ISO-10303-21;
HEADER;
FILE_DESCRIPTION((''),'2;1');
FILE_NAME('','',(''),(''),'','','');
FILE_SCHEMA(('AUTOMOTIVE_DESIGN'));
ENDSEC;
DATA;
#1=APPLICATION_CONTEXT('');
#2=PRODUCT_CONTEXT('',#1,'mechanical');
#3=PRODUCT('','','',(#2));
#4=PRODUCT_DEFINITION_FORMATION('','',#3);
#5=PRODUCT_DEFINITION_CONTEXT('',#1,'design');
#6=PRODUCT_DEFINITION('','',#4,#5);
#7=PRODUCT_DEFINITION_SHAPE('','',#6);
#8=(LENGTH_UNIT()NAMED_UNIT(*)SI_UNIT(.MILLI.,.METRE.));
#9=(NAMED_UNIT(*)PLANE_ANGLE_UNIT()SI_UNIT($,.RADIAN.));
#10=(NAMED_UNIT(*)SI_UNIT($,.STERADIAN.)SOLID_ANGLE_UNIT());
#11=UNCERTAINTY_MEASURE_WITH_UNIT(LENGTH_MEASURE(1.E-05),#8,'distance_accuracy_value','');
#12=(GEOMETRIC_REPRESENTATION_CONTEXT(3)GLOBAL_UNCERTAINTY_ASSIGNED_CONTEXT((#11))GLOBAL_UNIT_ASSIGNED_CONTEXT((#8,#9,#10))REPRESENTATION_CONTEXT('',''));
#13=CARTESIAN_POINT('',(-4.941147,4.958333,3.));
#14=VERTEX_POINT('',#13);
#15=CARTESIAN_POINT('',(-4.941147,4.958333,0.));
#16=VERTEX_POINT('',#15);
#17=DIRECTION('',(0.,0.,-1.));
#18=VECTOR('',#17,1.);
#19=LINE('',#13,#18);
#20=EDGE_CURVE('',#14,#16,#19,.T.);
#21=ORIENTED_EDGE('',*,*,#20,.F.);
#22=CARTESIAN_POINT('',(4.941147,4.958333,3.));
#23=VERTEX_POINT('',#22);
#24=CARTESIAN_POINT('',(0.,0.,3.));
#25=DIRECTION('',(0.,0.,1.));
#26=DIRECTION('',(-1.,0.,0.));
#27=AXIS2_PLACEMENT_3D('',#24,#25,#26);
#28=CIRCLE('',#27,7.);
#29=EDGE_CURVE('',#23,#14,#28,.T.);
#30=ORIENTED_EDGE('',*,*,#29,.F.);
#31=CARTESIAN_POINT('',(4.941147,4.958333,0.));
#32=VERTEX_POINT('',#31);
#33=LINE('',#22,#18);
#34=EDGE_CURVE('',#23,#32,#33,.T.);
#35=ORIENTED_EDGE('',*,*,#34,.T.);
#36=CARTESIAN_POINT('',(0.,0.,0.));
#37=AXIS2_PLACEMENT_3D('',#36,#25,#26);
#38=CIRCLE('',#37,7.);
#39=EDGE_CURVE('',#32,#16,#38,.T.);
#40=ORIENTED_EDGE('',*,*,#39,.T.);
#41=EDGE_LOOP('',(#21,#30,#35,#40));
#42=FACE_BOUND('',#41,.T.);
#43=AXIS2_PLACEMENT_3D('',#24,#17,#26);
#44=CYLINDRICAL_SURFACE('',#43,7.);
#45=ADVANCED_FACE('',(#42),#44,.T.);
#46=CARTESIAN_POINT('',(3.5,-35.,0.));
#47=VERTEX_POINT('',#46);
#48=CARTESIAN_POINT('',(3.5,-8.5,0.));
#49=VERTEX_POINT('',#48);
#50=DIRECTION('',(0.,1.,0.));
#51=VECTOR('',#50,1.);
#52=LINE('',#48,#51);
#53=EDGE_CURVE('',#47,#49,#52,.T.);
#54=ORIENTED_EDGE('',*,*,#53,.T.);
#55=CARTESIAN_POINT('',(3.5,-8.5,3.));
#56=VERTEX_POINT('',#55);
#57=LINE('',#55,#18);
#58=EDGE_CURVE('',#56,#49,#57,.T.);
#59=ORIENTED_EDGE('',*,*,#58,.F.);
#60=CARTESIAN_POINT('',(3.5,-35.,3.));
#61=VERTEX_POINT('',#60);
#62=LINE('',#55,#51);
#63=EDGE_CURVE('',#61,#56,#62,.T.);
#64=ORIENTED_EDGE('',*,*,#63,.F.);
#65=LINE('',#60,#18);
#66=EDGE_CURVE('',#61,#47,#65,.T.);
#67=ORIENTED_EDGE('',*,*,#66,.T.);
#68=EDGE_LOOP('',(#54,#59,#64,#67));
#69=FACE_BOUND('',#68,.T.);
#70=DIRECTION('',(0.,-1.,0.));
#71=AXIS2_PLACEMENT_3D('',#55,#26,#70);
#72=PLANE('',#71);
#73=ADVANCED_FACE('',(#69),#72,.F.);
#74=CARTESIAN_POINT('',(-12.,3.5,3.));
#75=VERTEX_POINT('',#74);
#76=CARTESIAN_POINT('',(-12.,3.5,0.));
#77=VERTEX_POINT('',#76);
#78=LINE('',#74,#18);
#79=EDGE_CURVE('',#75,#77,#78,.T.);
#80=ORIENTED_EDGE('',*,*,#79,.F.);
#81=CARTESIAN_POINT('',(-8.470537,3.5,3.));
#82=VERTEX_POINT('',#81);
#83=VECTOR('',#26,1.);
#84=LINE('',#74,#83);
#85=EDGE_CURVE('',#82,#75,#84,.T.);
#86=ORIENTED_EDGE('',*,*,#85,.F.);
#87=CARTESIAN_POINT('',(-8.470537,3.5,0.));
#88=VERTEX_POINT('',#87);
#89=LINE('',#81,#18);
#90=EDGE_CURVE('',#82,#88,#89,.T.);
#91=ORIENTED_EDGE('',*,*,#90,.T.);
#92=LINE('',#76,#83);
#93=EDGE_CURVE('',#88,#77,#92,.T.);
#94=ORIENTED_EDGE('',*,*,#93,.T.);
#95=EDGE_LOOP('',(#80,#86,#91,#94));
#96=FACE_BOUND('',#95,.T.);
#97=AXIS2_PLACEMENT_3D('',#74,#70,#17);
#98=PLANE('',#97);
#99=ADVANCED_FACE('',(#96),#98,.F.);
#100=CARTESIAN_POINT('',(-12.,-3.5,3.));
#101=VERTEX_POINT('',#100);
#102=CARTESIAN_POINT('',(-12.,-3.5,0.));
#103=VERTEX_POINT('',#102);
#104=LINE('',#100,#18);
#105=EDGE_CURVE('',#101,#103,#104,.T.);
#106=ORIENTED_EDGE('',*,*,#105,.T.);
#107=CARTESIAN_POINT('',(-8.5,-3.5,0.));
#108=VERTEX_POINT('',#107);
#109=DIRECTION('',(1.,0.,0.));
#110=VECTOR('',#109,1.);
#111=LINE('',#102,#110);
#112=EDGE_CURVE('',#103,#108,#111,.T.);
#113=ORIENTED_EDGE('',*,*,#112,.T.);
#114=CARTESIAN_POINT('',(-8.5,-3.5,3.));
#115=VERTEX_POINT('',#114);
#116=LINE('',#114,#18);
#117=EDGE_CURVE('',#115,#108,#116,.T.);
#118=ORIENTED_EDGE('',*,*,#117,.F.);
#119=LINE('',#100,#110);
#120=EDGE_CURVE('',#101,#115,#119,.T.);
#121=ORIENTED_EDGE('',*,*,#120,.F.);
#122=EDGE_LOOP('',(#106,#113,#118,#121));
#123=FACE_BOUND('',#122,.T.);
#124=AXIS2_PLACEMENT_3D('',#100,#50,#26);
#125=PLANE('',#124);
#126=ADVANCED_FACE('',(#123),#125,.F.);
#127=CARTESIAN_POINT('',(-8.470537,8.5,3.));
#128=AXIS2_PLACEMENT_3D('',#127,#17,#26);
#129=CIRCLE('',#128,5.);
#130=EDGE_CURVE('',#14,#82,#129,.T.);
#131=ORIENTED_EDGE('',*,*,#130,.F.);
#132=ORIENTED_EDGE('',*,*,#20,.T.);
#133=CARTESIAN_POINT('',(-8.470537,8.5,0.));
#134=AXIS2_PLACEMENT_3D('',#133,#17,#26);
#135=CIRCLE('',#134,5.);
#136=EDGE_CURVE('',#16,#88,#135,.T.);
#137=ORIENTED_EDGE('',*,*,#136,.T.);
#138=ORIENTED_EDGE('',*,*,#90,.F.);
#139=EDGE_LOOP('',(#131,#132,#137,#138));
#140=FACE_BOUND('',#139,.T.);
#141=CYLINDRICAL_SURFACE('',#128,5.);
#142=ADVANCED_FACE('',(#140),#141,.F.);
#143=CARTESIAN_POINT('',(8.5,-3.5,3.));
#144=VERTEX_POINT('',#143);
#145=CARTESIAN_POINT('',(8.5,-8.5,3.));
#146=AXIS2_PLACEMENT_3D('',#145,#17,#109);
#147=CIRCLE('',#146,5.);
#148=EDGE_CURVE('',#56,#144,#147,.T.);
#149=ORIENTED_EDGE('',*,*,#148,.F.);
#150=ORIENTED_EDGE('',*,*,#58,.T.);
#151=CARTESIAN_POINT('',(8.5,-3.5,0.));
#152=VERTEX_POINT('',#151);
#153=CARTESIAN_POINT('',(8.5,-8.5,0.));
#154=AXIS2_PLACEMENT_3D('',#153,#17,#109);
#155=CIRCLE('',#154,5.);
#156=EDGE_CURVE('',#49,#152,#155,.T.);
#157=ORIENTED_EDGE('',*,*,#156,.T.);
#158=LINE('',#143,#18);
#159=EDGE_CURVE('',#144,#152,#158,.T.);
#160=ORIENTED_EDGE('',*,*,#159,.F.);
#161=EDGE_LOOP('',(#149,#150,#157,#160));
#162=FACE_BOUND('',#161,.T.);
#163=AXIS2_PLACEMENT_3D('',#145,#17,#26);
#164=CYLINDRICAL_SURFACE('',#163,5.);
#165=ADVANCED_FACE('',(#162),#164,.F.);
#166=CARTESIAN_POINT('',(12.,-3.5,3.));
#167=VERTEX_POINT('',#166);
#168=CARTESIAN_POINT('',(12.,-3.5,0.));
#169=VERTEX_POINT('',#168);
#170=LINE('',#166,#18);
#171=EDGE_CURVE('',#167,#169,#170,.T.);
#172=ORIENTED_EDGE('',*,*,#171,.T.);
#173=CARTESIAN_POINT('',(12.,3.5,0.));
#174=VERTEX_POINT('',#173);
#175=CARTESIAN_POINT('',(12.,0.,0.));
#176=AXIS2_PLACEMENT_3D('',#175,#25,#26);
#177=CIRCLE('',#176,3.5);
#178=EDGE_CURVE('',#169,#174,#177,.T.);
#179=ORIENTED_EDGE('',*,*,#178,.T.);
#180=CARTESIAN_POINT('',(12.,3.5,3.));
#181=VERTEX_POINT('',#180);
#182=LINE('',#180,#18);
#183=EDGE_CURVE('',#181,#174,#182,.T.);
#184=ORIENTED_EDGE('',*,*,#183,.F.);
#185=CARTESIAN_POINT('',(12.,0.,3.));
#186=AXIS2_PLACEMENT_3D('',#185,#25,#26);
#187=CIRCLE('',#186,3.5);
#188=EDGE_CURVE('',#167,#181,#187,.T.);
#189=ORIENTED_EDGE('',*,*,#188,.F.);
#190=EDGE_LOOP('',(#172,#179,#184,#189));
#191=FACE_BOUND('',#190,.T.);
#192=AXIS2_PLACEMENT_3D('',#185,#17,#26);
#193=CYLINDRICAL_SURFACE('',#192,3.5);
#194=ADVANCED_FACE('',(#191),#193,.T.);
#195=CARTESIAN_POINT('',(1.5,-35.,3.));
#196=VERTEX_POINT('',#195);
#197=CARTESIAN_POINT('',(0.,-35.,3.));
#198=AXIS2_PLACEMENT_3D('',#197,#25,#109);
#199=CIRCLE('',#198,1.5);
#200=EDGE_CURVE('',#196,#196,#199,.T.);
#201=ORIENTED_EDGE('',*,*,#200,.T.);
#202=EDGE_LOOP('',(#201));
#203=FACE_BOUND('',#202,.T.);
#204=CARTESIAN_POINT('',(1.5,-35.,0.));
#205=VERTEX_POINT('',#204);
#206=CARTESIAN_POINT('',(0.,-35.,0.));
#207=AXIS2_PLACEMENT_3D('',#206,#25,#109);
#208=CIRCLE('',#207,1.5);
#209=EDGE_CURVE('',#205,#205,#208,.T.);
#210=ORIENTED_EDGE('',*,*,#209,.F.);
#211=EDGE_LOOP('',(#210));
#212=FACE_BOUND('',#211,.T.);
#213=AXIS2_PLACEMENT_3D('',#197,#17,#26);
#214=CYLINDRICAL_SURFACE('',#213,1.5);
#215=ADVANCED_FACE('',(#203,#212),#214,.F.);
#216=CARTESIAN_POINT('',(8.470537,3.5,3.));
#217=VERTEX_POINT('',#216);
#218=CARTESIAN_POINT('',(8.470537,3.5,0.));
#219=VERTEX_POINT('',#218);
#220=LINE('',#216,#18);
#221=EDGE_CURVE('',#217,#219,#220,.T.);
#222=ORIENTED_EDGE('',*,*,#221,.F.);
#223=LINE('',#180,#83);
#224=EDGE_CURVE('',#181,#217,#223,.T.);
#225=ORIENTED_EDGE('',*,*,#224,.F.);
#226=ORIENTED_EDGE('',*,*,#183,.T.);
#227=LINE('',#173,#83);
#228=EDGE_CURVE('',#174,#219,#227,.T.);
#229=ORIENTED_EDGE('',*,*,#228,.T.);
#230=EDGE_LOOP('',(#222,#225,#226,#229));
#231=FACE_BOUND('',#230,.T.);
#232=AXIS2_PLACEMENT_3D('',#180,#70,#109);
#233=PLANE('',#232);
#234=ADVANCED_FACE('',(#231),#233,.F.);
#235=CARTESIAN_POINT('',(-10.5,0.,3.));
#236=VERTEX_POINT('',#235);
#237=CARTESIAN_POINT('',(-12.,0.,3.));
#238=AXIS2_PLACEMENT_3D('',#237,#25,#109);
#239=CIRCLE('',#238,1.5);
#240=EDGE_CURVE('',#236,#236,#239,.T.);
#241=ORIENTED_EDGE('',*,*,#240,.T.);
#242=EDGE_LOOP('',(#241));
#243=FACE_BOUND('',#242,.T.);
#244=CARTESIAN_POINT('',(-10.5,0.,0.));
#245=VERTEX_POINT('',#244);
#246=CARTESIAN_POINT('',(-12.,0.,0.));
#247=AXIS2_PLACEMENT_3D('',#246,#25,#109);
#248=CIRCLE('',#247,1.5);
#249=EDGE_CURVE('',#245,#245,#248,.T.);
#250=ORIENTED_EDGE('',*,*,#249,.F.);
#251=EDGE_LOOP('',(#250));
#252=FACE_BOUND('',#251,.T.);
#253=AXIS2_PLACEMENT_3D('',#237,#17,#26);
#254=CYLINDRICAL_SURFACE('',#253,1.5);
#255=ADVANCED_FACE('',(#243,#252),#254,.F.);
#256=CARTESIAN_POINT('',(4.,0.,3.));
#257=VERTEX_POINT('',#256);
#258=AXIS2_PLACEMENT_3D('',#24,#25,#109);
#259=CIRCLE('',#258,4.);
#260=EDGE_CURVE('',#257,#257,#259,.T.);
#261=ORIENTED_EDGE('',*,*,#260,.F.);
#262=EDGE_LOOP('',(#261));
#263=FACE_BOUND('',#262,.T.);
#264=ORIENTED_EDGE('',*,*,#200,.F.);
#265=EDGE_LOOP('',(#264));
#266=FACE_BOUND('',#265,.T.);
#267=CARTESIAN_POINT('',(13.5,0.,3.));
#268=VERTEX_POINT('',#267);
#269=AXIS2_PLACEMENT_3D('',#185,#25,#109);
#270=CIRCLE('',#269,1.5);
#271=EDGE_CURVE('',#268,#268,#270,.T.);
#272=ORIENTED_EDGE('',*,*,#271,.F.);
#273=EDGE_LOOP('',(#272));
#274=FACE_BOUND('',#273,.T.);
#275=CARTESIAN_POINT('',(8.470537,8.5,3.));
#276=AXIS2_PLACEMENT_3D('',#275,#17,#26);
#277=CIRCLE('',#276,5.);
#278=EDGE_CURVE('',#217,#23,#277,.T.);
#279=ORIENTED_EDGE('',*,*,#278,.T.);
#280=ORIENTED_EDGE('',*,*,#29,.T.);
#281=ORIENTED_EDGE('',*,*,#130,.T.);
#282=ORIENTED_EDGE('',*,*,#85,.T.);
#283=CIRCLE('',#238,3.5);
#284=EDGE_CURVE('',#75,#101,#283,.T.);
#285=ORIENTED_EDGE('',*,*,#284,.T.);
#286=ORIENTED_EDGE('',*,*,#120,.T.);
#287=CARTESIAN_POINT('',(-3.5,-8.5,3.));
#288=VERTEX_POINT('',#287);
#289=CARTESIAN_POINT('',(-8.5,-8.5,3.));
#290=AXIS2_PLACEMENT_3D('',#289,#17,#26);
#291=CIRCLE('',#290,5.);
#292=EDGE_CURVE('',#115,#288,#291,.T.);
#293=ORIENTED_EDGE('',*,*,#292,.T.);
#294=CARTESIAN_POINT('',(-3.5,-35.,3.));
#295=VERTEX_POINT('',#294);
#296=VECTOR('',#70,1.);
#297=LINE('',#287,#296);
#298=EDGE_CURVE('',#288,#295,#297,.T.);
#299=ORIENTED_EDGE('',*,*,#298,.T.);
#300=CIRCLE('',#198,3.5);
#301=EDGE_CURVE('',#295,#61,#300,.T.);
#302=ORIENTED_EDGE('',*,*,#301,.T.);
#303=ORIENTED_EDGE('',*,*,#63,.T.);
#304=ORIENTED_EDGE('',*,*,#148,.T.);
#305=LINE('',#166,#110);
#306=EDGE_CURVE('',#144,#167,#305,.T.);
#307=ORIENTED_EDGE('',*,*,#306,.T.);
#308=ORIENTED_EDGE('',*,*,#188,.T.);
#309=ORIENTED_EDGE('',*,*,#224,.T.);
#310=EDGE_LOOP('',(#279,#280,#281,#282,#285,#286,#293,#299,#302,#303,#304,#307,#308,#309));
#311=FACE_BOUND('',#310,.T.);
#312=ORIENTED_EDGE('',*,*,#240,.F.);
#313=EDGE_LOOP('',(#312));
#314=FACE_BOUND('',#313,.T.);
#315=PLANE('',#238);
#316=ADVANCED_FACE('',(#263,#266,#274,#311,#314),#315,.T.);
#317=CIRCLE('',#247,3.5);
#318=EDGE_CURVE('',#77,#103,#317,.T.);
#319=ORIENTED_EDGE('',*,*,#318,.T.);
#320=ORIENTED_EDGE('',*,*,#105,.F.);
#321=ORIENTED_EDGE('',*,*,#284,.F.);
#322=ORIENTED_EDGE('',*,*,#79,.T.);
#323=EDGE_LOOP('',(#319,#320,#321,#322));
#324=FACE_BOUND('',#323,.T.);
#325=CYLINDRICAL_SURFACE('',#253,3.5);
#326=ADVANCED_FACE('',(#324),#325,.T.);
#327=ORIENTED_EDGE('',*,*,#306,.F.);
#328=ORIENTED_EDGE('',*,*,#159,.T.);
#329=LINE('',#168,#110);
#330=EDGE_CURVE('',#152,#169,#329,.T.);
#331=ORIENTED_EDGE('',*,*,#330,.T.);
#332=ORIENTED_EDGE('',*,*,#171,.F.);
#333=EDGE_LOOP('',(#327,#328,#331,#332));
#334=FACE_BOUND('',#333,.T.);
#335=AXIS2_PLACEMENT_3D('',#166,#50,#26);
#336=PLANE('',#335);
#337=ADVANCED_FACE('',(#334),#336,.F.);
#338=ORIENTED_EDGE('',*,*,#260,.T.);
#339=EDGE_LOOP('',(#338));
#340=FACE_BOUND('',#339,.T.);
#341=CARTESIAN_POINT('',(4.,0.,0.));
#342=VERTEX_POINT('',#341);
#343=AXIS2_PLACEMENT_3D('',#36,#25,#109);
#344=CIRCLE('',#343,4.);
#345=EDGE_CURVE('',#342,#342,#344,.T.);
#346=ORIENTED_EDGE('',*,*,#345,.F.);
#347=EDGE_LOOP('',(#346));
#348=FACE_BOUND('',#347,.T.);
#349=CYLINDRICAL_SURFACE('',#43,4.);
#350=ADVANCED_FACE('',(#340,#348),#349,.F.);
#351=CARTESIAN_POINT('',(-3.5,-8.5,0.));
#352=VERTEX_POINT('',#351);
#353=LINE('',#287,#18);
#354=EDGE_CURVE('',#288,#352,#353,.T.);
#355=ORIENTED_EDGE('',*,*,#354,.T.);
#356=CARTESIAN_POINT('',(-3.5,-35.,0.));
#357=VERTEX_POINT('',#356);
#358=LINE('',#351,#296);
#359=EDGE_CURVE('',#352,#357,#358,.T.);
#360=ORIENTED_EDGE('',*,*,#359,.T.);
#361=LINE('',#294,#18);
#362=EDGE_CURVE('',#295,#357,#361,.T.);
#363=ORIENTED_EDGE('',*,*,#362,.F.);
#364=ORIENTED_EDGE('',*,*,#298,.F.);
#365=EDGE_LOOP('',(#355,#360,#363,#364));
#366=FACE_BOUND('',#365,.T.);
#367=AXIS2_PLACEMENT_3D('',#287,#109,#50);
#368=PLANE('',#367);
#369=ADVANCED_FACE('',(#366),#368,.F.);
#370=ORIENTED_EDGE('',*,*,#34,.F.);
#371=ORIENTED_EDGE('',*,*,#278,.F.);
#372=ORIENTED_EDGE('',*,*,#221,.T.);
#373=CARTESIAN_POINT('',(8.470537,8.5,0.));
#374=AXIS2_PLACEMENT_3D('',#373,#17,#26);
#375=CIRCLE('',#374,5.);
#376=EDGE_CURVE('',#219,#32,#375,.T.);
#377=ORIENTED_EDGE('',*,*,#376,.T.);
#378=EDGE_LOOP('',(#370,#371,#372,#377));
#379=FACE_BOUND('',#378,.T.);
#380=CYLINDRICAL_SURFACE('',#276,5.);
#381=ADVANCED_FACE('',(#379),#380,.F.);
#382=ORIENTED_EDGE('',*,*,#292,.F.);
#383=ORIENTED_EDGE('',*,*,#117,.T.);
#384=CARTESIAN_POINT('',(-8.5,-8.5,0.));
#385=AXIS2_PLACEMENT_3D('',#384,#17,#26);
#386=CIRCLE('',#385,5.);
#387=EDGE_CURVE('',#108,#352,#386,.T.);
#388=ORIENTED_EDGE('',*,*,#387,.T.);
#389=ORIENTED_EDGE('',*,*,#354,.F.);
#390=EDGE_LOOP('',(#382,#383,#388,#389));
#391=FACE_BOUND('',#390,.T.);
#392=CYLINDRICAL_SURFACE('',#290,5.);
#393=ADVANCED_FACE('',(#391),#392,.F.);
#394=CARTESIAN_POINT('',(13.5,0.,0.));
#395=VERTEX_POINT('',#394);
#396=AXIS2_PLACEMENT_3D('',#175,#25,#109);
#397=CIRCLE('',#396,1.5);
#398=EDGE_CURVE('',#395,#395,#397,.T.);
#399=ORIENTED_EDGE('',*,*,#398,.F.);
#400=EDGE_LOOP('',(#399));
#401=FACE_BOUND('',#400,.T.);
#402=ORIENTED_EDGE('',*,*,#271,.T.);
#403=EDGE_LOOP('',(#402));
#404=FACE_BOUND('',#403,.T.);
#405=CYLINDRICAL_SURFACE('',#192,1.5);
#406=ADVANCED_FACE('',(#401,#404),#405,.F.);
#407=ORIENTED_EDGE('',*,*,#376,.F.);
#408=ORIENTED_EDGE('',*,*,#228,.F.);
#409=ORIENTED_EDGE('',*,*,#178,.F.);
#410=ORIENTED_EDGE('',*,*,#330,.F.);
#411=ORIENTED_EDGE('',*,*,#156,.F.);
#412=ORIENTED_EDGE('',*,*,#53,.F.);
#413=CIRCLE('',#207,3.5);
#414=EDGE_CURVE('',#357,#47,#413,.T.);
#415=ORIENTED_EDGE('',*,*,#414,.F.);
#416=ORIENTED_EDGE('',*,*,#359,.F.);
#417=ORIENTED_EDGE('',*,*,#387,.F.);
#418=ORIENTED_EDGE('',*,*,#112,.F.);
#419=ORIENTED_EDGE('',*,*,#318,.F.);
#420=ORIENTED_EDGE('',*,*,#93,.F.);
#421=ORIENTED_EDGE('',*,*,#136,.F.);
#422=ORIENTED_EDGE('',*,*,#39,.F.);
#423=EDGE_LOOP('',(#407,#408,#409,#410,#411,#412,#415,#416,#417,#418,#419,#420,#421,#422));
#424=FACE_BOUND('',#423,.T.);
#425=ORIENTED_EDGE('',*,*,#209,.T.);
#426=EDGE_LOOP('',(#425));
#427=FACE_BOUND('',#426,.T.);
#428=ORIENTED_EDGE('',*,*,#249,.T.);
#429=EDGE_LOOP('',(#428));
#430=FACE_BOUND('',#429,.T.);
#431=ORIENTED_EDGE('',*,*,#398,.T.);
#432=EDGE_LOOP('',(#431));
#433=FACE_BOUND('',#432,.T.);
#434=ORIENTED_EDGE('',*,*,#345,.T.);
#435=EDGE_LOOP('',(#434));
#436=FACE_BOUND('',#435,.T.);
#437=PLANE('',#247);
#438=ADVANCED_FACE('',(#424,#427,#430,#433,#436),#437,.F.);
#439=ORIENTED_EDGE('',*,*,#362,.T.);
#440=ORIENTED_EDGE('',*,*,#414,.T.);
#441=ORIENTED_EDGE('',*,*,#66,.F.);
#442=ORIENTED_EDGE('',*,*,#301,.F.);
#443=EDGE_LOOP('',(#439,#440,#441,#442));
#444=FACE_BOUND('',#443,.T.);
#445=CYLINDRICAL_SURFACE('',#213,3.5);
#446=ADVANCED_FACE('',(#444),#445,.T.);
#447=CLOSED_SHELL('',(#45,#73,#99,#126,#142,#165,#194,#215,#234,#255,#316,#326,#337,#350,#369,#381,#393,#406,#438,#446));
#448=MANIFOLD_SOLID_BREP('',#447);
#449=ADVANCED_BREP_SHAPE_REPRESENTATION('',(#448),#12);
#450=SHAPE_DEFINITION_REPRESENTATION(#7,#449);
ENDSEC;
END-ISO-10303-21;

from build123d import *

# Parameters (mm, degrees)
SKETCH_1_R      = 4
SKETCH_1_R_2    = 1.5
EXTRUDE_1_DEPTH = 3


with BuildPart() as part:
    # 草图1 → 凸台-拉伸1 (new body)
    with BuildSketch(Plane.XY):
        with BuildLine():
            Line((-12, -3.5), (-8.5, -3.5))
            ThreePointArc((-8.5, -3.5), (-4.964466094, -4.964466094), (-3.5, -8.5))
            Line((-3.5, -8.5), (-3.5, -35))
            ThreePointArc((-3.5, -35), (0, -38.5), (3.5, -35))
            Line((3.5, -35), (3.5, -8.5))
            ThreePointArc((3.5, -8.5), (4.964466094, -4.964466094), (8.5, -3.5))
            Line((8.5, -3.5), (12, -3.5))
            ThreePointArc((12, -3.5), (15.5, 0), (12, 3.5))
            Line((12, 3.5), (8.470537173, 3.5))
            ThreePointArc((8.470537173, 3.5), (6.561130633, 3.878943122), (4.941146684, 4.958333333))
            ThreePointArc((4.941146684, 4.958333333), (0, 7), (-4.941146684, 4.958333333))
            ThreePointArc((-4.941146684, 4.958333333), (-6.561130633, 3.878943122), (-8.470537173, 3.5))
            Line((-8.470537173, 3.5), (-12, 3.5))
            ThreePointArc((-12, 3.5), (-15.5, 0), (-12, -3.5))
        make_face()
        Circle(SKETCH_1_R, mode=Mode.SUBTRACT)
        with Locations((-12, 0)):
            Circle(SKETCH_1_R_2, mode=Mode.SUBTRACT)
        with Locations((0, -35)):
            Circle(SKETCH_1_R_2, mode=Mode.SUBTRACT)
        with Locations((12, 0)):
            Circle(SKETCH_1_R_2, mode=Mode.SUBTRACT)
    extrude(amount=EXTRUDE_1_DEPTH)


solid = part.part
